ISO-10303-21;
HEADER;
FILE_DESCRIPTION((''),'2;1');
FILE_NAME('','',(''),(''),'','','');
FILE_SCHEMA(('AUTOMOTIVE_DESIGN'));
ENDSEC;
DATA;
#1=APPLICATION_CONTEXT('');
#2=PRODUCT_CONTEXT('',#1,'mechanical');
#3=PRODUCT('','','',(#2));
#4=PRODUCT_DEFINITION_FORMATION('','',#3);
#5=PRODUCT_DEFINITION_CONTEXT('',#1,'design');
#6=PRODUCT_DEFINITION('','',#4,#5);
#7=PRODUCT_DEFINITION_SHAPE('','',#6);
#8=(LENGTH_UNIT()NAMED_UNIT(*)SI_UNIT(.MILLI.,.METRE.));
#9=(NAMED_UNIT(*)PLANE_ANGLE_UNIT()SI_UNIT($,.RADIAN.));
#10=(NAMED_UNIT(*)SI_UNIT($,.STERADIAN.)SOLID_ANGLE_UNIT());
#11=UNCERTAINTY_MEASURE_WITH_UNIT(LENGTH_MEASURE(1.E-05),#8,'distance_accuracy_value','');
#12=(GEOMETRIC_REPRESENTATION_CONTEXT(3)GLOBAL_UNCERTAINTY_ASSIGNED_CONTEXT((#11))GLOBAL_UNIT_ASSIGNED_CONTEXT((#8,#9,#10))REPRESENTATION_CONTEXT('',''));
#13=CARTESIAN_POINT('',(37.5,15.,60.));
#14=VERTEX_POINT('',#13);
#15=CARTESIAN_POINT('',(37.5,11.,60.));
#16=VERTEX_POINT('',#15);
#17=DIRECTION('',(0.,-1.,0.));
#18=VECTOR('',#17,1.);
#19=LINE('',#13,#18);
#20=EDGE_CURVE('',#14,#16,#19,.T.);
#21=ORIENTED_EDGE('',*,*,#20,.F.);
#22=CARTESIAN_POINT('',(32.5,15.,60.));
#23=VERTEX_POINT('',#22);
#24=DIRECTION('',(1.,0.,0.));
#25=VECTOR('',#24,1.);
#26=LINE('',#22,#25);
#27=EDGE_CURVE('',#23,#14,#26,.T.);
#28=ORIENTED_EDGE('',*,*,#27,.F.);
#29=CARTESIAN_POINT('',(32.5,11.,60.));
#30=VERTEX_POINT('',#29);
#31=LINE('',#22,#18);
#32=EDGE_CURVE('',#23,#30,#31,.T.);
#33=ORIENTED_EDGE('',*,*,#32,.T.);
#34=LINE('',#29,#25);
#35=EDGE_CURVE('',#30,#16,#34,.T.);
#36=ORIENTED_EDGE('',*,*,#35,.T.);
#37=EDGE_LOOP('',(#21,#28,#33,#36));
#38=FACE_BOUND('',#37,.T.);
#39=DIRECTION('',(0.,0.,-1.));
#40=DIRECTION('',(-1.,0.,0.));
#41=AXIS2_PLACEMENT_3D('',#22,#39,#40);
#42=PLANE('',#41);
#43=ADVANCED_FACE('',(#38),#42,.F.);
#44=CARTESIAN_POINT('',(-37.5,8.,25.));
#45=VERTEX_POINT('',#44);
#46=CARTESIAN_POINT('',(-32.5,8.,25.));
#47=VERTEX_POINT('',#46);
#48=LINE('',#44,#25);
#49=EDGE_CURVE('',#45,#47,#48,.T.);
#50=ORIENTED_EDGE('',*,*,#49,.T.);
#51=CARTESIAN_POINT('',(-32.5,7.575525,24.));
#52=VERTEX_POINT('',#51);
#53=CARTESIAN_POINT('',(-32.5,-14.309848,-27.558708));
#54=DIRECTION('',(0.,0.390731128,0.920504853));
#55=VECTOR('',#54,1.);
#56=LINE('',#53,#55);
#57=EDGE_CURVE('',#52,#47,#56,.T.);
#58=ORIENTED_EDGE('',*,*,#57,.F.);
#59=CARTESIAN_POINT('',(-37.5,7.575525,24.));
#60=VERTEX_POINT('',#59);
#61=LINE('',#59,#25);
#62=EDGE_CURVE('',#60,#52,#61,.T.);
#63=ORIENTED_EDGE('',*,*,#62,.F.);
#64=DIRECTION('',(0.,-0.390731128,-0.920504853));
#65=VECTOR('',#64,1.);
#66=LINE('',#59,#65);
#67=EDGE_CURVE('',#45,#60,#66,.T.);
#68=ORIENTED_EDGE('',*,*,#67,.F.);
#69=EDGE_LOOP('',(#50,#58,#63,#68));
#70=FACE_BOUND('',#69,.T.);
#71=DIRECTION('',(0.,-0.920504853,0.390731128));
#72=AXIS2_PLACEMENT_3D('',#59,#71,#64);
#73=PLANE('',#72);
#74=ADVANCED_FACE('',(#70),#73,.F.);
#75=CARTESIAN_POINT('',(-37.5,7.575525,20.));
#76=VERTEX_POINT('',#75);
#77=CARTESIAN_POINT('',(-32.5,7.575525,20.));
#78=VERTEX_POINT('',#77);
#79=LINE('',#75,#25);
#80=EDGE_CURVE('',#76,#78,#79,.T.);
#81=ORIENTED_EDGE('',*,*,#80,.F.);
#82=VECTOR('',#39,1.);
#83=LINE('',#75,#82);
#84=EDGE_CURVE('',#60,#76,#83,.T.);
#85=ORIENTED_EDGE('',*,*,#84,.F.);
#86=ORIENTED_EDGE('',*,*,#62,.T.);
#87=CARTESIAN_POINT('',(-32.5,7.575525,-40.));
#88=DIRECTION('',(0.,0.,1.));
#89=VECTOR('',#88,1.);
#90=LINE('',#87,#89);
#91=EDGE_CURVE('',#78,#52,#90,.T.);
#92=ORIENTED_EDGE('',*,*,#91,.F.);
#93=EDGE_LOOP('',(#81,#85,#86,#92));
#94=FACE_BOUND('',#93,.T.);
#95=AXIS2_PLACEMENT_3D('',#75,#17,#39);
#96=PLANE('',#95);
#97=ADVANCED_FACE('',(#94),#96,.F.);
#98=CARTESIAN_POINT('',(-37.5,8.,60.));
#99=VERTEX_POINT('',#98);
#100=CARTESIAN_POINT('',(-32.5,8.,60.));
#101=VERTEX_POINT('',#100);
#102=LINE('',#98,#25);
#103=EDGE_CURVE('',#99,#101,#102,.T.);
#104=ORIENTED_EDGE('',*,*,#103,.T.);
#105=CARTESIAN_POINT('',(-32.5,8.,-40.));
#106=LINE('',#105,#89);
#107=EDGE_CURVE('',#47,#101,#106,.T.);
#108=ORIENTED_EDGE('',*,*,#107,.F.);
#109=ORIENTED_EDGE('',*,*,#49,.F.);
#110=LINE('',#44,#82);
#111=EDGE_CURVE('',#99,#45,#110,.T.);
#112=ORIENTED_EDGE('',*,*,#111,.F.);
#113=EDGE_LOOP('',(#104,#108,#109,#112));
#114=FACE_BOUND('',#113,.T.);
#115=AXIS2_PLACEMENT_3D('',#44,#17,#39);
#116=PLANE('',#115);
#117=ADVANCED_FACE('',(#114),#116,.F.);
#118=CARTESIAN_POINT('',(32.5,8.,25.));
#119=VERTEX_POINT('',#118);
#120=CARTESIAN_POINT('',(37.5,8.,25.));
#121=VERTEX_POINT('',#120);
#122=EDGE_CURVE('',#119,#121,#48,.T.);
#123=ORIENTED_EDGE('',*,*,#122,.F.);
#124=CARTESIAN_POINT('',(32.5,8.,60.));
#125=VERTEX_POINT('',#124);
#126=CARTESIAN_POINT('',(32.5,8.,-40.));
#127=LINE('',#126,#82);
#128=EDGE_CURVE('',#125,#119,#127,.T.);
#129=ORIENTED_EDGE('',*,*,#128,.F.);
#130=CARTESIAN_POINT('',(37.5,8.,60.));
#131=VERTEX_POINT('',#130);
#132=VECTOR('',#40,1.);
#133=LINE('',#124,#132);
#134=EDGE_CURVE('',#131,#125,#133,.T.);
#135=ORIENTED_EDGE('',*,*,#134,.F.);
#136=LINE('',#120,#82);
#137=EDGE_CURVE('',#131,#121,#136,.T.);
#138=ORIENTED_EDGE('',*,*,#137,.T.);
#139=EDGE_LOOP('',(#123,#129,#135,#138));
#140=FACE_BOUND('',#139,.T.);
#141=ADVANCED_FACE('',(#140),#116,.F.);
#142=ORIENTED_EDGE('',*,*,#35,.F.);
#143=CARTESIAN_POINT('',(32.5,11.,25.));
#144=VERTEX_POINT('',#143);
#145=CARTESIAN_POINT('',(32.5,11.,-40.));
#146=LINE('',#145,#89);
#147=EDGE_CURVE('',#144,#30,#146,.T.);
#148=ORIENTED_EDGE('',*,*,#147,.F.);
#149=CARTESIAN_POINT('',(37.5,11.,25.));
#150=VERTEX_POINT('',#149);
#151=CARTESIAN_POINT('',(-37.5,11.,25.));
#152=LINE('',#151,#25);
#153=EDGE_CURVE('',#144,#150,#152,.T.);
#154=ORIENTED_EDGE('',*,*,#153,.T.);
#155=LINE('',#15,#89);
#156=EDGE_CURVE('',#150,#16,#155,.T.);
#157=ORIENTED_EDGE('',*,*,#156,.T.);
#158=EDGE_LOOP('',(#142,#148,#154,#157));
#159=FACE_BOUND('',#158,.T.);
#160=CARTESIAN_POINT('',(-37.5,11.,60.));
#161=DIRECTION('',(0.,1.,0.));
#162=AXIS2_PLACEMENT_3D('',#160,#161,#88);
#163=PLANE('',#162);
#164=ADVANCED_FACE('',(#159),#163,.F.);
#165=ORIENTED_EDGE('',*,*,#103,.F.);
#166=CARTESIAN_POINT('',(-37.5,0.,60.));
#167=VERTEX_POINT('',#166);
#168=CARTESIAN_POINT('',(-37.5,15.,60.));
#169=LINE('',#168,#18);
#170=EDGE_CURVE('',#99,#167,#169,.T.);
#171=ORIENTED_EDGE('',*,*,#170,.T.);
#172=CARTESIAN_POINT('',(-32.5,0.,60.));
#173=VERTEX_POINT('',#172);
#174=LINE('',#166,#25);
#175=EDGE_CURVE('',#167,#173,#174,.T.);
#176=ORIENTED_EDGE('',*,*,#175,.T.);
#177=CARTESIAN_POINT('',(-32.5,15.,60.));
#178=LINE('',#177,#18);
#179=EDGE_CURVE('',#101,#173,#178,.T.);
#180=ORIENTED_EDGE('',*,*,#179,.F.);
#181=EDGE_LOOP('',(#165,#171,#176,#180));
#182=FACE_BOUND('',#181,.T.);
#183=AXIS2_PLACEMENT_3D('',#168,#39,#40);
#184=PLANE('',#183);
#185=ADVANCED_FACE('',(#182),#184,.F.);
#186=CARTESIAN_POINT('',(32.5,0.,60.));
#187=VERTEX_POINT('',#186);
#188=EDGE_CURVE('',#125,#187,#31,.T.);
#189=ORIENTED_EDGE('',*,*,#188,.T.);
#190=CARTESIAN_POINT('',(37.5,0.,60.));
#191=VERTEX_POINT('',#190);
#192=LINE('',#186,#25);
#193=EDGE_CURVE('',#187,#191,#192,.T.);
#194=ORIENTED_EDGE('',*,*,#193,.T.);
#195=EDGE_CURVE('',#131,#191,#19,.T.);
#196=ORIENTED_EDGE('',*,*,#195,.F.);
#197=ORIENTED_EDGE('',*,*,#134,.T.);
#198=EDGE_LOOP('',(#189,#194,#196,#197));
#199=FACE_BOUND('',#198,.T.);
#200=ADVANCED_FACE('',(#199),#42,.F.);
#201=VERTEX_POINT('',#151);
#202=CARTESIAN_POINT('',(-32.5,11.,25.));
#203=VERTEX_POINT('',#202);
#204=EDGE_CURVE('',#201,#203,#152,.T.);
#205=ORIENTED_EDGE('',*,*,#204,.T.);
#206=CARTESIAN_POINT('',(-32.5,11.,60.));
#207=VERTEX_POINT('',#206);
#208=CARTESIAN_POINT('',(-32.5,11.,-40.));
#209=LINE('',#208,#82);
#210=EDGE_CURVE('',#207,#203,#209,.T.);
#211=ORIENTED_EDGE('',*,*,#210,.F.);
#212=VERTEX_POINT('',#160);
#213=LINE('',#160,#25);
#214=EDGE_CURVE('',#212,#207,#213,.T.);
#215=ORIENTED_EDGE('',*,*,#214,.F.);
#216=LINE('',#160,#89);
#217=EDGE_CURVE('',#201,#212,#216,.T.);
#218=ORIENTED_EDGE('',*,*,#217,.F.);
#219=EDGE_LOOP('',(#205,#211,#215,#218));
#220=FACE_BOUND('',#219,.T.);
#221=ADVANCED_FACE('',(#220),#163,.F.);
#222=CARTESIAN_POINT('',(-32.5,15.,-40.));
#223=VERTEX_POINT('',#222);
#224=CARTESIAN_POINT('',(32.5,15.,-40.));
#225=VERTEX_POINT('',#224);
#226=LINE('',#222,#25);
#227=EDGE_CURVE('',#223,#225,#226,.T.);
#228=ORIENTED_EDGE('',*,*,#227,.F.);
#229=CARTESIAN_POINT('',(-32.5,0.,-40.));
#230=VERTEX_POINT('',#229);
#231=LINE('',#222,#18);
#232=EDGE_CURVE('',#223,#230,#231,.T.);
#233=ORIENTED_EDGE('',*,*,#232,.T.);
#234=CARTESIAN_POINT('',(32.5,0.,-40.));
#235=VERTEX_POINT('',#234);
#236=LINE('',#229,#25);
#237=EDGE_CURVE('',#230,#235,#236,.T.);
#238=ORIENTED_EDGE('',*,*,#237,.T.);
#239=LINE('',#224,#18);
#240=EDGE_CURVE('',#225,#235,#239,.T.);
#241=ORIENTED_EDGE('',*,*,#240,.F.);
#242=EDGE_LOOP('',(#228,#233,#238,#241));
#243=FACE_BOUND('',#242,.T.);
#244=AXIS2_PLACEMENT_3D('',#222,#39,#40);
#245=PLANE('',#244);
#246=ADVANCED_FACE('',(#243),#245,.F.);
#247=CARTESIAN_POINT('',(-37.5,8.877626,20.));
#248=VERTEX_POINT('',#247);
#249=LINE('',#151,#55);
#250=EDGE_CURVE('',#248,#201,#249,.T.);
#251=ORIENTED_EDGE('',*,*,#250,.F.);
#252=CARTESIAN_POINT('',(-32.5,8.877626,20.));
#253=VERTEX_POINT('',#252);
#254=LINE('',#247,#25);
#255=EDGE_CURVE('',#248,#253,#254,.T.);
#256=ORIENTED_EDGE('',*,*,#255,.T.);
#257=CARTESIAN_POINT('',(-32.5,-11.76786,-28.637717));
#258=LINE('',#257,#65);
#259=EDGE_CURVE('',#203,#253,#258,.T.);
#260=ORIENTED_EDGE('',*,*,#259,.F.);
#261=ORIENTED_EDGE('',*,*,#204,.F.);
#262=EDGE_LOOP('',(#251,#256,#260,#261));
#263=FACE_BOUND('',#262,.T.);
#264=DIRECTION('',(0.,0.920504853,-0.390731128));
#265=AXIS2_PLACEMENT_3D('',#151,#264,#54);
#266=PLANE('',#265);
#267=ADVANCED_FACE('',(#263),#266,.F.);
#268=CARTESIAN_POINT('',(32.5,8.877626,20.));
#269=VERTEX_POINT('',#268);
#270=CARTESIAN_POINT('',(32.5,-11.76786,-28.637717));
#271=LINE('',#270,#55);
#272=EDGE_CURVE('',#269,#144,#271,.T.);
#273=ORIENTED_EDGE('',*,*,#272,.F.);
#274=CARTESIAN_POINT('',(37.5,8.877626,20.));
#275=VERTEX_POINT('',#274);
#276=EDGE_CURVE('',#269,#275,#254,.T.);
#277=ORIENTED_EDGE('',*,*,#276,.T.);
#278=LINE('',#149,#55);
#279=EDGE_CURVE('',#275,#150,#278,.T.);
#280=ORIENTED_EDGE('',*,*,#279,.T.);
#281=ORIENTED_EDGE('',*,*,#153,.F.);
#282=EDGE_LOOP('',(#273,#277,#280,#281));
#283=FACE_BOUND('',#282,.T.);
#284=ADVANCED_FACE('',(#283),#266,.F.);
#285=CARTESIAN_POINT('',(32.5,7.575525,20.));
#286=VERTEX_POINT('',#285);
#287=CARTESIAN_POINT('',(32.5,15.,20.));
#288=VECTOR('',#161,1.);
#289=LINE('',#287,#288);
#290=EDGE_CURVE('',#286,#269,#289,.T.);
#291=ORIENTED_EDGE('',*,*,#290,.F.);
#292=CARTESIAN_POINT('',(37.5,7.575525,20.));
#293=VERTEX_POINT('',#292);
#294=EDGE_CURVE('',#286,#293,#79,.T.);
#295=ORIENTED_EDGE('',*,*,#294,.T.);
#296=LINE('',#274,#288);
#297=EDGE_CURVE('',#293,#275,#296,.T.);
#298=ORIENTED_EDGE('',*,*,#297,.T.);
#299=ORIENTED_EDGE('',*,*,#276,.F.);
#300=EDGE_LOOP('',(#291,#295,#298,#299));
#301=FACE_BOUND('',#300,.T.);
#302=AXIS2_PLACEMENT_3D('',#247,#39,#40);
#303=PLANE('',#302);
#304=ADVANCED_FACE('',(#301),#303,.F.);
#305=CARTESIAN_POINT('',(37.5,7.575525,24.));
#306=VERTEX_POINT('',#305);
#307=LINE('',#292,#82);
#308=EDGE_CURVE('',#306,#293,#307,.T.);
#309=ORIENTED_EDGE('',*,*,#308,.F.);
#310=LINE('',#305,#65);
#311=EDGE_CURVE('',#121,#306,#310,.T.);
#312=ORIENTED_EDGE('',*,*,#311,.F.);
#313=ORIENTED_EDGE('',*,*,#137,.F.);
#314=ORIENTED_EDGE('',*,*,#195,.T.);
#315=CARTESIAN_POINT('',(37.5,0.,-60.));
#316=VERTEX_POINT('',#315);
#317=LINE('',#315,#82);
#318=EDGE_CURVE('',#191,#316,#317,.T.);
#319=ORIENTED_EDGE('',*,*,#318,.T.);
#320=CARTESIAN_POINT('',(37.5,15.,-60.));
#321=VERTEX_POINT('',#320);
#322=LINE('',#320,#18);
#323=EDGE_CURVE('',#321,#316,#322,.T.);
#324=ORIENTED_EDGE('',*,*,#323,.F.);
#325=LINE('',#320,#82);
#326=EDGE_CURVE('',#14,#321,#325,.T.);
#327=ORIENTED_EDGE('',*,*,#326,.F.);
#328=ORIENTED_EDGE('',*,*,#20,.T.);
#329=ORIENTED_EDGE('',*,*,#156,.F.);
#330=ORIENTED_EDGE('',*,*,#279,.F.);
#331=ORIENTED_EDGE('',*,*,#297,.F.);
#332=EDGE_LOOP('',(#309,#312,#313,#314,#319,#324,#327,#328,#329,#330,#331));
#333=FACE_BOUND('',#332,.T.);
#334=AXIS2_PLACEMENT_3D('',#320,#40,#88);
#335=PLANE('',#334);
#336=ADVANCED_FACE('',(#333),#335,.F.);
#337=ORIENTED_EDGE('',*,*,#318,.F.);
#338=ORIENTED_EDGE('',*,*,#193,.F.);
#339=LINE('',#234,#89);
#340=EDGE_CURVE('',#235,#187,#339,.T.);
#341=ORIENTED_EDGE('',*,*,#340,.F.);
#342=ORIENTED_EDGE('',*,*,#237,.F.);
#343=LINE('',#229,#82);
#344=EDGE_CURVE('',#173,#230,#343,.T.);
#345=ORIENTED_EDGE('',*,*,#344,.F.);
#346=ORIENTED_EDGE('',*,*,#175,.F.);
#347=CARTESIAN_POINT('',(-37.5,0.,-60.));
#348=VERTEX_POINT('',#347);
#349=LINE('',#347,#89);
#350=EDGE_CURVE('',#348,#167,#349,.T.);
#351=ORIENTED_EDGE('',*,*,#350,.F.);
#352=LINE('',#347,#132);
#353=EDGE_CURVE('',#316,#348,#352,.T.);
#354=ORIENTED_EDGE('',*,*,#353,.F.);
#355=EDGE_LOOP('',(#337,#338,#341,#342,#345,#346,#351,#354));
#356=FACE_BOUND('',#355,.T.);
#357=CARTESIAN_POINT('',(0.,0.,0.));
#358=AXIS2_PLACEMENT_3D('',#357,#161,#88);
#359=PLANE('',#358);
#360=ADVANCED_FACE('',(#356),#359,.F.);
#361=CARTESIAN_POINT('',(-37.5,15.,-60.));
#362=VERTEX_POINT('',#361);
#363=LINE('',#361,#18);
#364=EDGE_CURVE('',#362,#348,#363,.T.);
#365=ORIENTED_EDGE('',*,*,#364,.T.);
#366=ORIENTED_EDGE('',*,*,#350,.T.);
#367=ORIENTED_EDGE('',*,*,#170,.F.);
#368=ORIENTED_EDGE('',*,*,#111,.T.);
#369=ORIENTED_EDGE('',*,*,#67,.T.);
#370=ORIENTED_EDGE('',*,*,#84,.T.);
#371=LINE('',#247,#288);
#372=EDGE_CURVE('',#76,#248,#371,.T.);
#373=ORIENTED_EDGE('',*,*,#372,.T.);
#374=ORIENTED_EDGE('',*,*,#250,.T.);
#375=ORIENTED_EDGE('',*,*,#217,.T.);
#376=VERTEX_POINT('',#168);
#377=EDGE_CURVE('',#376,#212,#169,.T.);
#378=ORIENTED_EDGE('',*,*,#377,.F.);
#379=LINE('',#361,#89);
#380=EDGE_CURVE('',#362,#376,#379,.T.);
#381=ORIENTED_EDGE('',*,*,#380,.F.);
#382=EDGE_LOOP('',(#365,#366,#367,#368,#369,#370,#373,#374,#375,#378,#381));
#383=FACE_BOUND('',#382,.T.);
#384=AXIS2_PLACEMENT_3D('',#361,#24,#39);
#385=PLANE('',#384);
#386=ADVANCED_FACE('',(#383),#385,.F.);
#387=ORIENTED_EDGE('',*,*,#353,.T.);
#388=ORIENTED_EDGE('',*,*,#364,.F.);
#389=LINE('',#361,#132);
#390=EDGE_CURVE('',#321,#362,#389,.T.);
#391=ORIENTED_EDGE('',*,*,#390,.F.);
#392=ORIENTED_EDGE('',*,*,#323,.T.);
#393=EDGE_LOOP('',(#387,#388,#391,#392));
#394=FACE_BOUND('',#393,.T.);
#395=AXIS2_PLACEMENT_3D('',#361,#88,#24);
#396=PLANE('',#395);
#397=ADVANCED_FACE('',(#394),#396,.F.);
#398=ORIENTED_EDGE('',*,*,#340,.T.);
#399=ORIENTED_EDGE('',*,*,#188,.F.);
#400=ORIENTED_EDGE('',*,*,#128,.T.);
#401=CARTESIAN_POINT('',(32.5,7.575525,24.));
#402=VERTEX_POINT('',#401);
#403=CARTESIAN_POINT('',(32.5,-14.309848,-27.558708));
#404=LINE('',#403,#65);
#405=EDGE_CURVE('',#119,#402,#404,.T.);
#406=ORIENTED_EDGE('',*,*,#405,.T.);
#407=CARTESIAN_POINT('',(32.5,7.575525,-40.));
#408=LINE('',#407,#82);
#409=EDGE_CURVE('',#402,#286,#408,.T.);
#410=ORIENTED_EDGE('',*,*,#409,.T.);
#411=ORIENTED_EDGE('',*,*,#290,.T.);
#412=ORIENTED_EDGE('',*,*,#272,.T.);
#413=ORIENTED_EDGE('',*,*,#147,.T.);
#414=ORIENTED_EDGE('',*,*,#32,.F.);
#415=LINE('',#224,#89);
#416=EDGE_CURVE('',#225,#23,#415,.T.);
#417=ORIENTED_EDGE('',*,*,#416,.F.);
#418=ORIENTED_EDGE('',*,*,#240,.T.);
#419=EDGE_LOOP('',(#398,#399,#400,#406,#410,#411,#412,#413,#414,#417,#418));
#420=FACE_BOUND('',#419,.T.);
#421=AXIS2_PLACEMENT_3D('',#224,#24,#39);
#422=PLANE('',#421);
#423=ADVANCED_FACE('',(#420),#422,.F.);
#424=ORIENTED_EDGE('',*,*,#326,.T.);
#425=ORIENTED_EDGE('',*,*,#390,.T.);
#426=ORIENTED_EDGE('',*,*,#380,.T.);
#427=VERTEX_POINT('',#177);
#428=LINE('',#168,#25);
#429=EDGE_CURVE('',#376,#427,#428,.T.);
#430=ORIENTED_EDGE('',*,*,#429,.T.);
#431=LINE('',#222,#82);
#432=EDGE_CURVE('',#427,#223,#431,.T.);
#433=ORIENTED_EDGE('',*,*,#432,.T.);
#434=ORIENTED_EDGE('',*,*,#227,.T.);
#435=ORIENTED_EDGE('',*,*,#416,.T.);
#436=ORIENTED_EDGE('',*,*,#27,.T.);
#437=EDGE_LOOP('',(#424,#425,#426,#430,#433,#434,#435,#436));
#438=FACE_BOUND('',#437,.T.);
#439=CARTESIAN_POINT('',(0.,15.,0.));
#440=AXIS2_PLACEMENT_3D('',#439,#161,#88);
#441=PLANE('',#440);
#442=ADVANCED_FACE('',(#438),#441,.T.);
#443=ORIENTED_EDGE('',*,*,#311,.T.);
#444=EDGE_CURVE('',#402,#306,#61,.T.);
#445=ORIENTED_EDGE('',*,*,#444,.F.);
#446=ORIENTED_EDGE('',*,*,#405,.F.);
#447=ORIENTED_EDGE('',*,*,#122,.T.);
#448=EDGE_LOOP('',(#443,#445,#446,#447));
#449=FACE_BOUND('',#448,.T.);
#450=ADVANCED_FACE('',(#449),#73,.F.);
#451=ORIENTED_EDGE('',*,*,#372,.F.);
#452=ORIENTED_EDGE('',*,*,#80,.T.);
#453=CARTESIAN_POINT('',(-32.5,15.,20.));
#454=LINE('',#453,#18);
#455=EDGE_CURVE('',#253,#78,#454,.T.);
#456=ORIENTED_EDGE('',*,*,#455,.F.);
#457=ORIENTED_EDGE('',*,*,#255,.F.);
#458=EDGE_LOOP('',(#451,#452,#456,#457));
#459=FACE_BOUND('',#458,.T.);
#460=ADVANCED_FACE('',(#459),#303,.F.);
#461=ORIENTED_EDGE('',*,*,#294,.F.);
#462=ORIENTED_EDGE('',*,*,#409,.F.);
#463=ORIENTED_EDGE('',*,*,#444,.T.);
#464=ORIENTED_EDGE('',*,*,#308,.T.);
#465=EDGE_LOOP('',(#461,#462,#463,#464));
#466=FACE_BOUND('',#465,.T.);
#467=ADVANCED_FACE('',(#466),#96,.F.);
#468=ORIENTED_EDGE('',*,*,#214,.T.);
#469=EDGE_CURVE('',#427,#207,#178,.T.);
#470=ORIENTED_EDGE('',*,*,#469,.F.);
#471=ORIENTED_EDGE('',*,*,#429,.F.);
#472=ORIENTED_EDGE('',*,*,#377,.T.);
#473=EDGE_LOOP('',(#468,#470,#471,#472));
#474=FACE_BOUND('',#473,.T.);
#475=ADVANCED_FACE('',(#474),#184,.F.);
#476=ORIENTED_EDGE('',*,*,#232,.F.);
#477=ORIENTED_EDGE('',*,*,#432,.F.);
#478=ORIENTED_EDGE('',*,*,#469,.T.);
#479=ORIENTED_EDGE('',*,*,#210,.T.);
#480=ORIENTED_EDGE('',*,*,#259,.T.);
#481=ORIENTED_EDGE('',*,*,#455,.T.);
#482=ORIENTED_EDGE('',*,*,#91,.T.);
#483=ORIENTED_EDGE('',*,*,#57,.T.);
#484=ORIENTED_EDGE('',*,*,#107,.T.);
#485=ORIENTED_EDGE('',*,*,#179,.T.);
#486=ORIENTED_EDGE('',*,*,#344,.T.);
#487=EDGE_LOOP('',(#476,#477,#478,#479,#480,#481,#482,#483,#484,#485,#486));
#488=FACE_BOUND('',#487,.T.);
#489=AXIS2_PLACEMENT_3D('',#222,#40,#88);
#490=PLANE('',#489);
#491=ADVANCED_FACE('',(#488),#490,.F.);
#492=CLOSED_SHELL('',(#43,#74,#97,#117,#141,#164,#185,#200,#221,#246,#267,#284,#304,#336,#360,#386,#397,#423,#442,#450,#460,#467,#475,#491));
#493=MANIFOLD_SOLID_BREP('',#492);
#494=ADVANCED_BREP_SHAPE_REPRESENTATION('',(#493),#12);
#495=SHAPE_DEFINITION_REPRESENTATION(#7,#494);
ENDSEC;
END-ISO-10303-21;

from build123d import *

# Parameters (mm, degrees)
BOSS_EXTRUDE1_DEPTH = 15
CUT_EXTRUDE1_DEPTH  = 37.5


with BuildPart() as part:
    # Sketch1 → Boss-Extrude1 (new body)
    with BuildSketch(Plane(origin=(0, 0, 0), x_dir=(1, 0, 0), z_dir=(0, 1, 0))):
        Polygon((32.5, -60), (37.5, -60), (37.5, 60), (-37.5, 60), (-37.5, -60), (-32.5, -60), (-32.5, 40), (32.5, 40), align=None)
    extrude(amount=BOSS_EXTRUDE1_DEPTH)

    # Sketch2 → Cut-Extrude1 (cut, symmetric)
    with BuildSketch(Plane(origin=(0, 0, 0), x_dir=(0, 0, -1), z_dir=(1, 0, 0))):
        Polygon((-60, 11), (-25, 11), (-20, 8.877625919), (-20, 7.575525184), (-24, 7.575525184), (-25, 8), (-60, 8), align=None)
    extrude(amount=CUT_EXTRUDE1_DEPTH, both=True, mode=Mode.SUBTRACT)


solid = part.part
